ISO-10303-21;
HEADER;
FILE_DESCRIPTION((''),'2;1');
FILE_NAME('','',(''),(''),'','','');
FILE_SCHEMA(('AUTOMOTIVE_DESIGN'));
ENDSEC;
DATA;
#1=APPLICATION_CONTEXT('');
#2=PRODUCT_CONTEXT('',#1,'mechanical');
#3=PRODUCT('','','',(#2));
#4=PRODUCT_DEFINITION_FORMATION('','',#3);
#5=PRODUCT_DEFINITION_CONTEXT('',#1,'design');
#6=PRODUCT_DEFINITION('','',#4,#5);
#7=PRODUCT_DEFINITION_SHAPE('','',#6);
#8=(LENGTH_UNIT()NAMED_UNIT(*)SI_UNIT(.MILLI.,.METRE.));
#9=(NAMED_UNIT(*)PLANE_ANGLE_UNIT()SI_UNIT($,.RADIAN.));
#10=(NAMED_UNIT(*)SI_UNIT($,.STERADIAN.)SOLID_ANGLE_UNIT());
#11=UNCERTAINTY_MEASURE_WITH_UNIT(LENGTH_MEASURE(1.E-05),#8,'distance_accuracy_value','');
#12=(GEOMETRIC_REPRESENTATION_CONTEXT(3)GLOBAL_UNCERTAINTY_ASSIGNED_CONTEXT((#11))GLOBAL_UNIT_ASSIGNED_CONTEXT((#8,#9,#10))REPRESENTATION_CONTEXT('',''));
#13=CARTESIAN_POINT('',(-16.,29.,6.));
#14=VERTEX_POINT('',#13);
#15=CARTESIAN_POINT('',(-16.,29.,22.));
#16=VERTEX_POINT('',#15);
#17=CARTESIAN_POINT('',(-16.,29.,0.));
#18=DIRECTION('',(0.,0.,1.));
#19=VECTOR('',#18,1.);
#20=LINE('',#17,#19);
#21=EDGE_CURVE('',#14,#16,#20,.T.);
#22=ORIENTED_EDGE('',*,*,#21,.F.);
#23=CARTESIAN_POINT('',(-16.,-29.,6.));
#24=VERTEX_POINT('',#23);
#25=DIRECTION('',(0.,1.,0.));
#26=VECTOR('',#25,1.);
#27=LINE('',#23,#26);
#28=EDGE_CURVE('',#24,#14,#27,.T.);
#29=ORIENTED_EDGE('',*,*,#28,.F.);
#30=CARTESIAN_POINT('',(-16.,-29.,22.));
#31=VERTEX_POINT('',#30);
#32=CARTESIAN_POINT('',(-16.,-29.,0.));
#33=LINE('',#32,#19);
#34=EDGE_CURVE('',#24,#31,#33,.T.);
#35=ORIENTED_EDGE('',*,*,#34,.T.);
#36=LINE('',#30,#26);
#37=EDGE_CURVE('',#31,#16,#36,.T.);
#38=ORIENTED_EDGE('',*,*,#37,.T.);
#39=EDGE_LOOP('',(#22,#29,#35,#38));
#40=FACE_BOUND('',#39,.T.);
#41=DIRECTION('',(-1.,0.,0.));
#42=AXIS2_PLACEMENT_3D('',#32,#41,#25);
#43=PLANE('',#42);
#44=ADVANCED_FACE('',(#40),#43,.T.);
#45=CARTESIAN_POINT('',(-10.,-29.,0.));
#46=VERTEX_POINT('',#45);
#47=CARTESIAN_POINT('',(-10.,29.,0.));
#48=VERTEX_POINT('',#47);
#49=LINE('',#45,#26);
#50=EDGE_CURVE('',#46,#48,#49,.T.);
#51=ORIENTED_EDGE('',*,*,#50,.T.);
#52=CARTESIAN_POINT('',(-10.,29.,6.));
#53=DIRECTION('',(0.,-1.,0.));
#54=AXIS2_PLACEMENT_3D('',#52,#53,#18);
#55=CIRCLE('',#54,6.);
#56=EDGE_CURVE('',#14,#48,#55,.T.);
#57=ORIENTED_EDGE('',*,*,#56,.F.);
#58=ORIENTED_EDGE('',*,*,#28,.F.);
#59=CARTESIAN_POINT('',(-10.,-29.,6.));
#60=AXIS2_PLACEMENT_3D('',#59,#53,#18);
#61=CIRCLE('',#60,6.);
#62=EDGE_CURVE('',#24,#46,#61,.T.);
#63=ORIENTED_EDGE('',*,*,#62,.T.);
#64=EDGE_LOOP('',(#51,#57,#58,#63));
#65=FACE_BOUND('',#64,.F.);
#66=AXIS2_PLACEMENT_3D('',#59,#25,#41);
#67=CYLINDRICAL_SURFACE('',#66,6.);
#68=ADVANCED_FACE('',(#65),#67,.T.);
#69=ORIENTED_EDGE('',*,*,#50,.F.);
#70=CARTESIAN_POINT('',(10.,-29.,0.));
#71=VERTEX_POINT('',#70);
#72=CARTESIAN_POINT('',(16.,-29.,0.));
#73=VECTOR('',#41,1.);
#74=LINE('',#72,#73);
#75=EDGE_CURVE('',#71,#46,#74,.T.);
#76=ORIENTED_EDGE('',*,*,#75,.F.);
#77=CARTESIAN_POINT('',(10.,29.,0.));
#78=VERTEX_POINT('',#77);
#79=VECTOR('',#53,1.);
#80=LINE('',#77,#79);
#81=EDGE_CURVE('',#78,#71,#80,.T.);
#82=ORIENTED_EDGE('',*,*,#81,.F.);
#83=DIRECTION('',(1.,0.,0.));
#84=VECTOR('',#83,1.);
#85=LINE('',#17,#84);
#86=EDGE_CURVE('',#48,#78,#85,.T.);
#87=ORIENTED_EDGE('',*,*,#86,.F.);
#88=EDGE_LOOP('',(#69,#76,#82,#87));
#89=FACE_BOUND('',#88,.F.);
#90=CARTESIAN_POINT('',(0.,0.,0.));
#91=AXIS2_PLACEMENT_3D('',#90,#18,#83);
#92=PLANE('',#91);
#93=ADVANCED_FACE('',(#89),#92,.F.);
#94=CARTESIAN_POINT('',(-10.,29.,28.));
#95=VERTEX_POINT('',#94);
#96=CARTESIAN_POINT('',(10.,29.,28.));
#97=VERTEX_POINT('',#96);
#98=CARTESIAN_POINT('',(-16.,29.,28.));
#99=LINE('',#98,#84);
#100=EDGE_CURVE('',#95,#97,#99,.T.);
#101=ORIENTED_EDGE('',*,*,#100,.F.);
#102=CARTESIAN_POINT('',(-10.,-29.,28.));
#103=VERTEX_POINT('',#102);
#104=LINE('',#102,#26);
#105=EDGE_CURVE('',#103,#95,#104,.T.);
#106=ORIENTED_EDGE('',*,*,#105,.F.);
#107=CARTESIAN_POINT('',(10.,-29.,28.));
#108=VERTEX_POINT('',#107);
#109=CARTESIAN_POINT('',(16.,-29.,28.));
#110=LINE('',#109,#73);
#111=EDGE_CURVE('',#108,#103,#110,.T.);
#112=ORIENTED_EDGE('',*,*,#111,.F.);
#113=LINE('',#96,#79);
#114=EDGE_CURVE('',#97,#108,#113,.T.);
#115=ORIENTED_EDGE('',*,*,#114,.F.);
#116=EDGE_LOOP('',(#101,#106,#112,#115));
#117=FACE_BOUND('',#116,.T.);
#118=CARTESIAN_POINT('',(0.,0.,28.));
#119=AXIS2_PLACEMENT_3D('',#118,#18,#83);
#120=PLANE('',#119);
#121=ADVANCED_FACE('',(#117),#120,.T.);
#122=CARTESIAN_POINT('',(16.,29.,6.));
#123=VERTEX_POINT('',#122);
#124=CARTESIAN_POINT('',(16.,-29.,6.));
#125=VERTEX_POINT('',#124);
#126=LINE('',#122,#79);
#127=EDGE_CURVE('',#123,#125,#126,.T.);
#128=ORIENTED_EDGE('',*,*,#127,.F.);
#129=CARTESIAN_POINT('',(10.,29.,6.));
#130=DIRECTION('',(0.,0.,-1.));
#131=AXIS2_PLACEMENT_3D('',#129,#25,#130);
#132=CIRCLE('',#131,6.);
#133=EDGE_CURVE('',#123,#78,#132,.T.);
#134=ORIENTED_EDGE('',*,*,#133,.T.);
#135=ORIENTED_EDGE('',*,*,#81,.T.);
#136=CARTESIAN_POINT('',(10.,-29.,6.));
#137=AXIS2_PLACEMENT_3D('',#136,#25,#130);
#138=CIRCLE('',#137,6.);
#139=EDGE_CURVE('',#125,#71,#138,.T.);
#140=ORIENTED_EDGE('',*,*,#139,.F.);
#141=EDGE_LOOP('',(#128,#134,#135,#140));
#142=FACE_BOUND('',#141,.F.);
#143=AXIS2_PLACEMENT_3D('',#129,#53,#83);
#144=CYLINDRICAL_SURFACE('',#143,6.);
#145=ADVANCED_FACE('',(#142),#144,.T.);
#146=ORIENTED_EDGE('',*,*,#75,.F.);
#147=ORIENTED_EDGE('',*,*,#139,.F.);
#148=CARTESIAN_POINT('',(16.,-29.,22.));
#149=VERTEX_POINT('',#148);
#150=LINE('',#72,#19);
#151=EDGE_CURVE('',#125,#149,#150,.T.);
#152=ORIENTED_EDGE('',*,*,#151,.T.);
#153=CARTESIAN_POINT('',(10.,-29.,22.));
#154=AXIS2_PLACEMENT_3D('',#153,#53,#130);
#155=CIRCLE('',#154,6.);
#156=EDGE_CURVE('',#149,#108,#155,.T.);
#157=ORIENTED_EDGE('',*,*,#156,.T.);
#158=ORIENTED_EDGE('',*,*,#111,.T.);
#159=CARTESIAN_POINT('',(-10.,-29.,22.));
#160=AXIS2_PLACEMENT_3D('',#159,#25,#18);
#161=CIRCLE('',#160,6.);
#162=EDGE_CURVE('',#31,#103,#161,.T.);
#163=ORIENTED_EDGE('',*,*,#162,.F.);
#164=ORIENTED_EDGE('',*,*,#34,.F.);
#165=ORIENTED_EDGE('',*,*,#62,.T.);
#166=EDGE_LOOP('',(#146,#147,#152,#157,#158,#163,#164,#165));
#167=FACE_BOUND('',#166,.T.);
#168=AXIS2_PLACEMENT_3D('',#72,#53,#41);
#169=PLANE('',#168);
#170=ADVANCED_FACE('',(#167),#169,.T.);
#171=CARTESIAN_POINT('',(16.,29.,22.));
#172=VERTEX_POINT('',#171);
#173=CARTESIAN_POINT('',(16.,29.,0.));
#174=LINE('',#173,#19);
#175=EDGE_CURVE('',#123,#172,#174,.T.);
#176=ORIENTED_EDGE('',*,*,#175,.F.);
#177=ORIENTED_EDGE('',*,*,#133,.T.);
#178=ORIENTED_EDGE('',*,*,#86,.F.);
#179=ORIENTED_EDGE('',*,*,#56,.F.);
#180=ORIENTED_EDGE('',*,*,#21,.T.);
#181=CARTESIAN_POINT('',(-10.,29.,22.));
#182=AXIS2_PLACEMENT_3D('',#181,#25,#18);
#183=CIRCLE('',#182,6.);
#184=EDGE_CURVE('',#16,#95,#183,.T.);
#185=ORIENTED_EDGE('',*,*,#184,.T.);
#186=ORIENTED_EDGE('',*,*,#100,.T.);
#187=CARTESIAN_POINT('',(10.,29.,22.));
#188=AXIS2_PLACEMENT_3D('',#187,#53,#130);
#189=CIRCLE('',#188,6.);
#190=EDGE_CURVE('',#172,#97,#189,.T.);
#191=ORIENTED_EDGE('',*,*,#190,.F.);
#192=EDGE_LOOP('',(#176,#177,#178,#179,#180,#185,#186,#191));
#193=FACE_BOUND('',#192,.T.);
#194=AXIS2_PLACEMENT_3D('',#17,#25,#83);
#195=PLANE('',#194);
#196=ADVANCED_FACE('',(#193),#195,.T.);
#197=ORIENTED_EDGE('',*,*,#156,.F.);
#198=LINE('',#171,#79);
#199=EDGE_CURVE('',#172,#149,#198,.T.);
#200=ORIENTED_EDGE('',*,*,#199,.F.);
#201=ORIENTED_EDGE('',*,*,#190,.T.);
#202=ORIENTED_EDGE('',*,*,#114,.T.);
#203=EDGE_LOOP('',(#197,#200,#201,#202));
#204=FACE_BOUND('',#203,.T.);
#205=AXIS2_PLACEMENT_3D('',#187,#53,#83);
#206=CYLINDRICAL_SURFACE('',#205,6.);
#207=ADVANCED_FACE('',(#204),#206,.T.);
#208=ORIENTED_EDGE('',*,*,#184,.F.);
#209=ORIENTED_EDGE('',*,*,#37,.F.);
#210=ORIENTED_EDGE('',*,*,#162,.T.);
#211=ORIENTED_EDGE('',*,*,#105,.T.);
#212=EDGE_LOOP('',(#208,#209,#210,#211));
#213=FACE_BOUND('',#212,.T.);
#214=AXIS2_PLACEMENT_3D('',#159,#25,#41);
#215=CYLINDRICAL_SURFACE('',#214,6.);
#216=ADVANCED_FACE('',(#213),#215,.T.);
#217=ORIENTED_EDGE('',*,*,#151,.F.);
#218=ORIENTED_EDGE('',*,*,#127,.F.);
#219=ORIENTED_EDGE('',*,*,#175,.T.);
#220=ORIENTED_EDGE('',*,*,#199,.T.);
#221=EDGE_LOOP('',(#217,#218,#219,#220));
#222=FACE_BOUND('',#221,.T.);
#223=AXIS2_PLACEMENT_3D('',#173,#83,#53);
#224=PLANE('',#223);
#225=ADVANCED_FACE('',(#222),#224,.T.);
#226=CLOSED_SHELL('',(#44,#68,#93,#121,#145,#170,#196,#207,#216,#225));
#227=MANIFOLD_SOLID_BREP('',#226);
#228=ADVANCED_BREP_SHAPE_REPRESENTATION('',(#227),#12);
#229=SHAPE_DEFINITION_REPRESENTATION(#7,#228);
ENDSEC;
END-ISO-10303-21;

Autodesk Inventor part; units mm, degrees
ref_plane "YZ Plane" through (0, 0, 0) normal (1, 0, 0) x (0, 1, 0)
ref_plane "XZ Plane" through (0, 0, 0) normal (0, 1, 0) x (-1, 0, 0)
ref_plane "XY Plane" through (0, 0, 0) normal (0, 0, 1) x (1, 0, 0)
sketch "スケッチ1" plane through (0, 0, 0) normal (0, 0, 1) x (1, 0, 0)
  line L0 (-16, 29) -> (16, 29)
  line L1 (16, 29) -> (16, -29)
  line L2 (16, -29) -> (-16, -29)
  line L3 (-16, -29) -> (-16, 29)
  point P0 (0, 0)
  point P1 (-16, 0)
  point P2 (0, -29)
  dimension "d0" = 32
  dimension "d1" = 58
extrude "押し出し1" add sketch "スケッチ1" along normal blind 28
fillet "フィレット1" radius 6 4 edges at (16, 0, 28) (-16, 0, 28) (-16, 0, 0) (16, 0, 0)
properties part number "AA-Cellx4"
